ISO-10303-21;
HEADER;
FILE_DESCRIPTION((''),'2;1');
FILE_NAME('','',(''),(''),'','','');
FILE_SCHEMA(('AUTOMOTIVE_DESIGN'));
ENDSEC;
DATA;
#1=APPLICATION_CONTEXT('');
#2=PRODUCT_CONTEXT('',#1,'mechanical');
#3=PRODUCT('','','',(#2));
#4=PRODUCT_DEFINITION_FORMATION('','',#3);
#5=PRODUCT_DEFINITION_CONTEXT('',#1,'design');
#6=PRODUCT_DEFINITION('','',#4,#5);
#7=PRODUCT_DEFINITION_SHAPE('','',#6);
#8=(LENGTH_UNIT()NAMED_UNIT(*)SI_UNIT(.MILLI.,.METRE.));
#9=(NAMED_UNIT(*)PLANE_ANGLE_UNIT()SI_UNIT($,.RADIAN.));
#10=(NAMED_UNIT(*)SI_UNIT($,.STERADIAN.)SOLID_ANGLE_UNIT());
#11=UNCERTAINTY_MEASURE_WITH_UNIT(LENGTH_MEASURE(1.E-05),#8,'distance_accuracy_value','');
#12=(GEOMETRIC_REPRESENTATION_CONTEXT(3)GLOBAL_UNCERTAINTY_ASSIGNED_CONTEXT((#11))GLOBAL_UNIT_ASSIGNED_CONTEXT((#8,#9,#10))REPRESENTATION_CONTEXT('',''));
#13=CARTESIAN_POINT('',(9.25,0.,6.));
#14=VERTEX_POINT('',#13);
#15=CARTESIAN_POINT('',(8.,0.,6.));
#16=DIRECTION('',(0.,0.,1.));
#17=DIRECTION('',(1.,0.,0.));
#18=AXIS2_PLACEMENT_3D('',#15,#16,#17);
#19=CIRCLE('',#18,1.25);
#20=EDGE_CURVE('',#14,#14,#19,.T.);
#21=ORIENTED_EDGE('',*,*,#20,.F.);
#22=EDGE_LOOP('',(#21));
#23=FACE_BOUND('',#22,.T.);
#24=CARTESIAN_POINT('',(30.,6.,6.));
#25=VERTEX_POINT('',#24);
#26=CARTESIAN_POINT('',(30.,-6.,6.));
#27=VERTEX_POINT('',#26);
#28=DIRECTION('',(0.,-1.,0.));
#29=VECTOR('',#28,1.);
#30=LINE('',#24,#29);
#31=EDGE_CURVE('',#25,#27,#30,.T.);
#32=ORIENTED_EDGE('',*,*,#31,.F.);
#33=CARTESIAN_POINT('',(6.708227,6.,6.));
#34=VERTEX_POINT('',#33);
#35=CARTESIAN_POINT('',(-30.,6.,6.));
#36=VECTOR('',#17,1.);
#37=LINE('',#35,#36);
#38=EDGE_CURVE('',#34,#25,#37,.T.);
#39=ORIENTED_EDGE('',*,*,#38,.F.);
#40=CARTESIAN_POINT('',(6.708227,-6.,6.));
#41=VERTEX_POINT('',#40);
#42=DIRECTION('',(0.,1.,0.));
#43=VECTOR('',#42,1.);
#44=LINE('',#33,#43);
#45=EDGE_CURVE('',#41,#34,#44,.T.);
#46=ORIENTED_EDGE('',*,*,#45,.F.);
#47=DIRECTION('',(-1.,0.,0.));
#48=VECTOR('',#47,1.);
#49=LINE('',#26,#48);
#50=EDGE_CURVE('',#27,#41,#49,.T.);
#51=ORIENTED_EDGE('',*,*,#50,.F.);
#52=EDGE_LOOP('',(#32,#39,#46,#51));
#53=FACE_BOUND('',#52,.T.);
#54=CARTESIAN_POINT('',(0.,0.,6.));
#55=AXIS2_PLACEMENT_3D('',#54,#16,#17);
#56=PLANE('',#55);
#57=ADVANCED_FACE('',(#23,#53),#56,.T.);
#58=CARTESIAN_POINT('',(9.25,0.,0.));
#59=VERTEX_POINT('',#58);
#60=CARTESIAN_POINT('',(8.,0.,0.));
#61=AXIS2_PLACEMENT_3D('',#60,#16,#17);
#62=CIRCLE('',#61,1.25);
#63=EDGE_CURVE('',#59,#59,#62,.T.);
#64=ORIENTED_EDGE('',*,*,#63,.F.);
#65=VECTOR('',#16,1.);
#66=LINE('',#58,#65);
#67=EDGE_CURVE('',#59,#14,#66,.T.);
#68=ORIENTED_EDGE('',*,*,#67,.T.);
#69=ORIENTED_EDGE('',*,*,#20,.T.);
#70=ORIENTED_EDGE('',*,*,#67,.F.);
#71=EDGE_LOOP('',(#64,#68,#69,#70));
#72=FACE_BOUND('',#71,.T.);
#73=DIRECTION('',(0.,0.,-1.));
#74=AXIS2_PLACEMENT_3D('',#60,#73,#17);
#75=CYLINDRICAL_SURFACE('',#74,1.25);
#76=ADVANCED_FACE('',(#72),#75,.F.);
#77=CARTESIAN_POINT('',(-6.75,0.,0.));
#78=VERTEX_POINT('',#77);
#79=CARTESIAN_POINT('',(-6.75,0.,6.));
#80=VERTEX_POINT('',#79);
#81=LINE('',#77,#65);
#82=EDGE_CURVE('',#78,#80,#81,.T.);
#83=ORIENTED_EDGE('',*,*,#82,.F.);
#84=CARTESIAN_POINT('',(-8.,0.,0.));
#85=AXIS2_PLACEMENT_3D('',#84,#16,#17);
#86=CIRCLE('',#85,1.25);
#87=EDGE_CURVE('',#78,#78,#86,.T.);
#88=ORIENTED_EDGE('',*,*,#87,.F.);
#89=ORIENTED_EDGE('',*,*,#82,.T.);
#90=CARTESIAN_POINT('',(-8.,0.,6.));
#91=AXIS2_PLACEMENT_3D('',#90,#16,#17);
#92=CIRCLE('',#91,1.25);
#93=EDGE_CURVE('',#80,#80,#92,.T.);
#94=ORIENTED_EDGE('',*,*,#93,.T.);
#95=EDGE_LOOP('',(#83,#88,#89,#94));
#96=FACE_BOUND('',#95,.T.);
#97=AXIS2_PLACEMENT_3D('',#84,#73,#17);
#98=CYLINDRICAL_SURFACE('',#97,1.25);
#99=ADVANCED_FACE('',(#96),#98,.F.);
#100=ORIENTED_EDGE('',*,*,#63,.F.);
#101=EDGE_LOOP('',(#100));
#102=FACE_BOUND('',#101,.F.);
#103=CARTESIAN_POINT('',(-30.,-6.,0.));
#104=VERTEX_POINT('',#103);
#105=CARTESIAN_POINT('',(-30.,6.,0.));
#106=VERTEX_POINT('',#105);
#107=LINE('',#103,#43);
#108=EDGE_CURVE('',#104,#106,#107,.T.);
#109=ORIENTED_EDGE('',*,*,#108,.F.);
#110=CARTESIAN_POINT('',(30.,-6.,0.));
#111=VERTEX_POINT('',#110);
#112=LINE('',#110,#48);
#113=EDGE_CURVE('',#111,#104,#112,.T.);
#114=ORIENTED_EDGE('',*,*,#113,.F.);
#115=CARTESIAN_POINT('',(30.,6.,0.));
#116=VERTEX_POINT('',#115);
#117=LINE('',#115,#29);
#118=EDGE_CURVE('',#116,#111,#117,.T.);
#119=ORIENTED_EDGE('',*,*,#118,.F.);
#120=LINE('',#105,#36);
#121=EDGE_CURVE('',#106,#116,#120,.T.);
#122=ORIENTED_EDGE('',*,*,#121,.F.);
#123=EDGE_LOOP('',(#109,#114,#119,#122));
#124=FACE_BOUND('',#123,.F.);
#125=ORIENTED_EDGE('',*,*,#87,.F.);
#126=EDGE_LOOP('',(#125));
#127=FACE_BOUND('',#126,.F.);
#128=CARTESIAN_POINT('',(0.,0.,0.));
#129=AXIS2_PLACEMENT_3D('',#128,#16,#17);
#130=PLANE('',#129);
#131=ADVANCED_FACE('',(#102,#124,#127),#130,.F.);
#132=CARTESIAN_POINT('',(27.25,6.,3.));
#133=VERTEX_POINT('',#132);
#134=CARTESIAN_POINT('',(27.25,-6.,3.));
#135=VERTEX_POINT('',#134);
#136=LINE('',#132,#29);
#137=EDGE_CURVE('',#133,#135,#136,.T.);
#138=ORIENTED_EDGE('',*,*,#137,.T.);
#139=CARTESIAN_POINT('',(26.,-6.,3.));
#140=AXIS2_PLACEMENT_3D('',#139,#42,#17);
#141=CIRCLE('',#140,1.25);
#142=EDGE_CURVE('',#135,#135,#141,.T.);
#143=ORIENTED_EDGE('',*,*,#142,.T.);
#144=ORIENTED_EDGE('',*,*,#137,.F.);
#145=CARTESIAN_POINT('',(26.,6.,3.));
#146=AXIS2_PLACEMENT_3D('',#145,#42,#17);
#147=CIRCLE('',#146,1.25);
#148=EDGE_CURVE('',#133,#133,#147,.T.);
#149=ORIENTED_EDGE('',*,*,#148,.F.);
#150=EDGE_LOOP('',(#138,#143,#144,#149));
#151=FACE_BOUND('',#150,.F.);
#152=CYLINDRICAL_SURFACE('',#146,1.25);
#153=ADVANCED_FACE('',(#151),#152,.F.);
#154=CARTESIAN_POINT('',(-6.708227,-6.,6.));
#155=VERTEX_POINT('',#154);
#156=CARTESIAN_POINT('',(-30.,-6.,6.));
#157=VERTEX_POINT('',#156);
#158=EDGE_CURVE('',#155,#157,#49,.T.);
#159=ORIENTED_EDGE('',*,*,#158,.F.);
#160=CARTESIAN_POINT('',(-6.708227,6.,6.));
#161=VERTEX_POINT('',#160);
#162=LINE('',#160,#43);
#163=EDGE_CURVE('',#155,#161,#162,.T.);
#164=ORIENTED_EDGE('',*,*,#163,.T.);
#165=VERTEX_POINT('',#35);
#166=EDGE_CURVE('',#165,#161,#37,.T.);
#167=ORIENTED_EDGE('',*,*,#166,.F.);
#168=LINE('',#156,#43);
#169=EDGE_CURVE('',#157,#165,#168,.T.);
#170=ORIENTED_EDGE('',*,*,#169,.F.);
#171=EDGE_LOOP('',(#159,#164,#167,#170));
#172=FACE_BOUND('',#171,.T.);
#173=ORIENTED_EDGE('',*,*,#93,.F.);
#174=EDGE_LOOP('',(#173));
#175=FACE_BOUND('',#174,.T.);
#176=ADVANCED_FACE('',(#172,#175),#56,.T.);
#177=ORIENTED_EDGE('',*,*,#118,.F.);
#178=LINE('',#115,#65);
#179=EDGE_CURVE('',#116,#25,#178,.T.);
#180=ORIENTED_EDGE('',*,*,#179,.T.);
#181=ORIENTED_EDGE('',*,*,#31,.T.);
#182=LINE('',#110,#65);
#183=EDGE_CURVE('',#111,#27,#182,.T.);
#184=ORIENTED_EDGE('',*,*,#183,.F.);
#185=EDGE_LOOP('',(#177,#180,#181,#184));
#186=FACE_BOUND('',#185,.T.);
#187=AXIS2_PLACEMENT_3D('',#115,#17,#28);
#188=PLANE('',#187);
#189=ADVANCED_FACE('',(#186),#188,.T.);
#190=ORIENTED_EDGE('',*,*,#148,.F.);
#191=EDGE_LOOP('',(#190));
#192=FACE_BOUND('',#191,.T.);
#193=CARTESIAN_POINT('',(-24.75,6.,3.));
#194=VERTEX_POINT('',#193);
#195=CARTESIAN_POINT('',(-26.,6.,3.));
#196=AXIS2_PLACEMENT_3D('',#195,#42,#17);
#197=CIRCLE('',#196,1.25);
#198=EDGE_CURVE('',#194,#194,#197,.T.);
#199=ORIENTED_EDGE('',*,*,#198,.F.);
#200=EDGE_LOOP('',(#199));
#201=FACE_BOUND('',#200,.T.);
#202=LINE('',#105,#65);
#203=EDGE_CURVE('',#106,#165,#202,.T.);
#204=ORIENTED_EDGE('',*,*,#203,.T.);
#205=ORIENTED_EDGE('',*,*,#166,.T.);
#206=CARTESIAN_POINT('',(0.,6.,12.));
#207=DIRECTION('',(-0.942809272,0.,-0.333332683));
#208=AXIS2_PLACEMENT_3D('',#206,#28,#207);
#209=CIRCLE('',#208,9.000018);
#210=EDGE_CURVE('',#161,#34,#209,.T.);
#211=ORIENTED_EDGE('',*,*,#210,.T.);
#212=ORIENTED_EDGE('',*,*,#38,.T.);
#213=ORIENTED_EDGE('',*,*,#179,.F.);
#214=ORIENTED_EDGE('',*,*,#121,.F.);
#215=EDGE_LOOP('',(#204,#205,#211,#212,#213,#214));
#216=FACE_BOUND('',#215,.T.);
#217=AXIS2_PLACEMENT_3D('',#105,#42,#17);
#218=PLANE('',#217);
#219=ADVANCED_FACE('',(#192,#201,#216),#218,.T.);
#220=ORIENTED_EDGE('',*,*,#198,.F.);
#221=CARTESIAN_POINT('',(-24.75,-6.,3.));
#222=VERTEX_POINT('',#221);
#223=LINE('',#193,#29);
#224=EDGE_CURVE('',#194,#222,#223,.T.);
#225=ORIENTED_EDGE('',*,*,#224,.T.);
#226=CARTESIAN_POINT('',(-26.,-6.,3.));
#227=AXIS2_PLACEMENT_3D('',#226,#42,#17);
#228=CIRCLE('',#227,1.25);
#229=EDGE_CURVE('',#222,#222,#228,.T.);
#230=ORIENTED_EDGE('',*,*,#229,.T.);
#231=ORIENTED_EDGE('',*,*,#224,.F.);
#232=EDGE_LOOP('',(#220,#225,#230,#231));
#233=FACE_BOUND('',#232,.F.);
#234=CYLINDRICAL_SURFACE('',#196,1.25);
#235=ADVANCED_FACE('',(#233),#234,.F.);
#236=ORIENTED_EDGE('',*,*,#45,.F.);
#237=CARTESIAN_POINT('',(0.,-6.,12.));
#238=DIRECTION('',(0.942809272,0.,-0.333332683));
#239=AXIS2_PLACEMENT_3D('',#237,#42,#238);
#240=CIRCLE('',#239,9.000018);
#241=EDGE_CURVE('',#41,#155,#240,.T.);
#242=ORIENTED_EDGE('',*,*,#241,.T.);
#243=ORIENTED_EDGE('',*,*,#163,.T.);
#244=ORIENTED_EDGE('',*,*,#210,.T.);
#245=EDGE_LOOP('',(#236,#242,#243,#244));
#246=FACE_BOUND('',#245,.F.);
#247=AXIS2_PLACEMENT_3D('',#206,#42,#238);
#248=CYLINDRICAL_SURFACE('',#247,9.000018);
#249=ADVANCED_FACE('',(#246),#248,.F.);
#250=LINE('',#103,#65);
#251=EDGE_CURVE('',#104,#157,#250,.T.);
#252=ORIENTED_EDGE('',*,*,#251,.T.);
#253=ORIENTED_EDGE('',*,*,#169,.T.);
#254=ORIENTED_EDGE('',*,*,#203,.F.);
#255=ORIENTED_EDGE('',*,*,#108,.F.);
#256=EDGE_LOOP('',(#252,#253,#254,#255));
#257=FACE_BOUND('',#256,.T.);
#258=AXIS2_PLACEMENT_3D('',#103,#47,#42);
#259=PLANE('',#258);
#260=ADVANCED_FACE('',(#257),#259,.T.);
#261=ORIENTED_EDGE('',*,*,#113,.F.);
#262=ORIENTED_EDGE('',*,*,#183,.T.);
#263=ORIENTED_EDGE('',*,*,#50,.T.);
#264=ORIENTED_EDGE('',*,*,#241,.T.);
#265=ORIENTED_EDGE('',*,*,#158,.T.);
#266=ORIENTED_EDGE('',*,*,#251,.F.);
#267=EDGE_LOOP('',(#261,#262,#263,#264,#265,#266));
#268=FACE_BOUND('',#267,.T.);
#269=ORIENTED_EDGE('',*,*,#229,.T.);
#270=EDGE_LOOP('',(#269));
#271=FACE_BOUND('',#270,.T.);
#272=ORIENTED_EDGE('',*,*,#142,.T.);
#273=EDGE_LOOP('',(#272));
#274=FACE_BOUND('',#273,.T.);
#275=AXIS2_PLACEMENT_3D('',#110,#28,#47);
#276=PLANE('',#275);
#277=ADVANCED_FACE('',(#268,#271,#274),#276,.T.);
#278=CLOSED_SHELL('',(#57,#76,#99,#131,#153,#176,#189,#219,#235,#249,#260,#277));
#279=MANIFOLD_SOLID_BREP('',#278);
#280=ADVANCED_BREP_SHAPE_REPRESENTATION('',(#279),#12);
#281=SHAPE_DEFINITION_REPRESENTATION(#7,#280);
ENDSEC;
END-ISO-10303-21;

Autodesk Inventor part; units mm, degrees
ref_plane "YZ Plane" through (0, 0, 0) normal (1, 0, 0) x (0, 1, 0)
ref_plane "XZ Plane" through (0, 0, 0) normal (0, 1, 0) x (-1, 0, 0)
ref_plane "XY Plane" through (0, 0, 0) normal (0, 0, 1) x (1, 0, 0)
sketch "Sketch1" plane through (0, 0, 0) normal (0, 0, 1) x (1, 0, 0)
  line L0 (-30, 6) -> (30, 6)
  line L1 (30, 6) -> (30, -6)
  line L2 (30, -6) -> (-30, -6)
  line L3 (-30, -6) -> (-30, 6)
  line L4 (0, 0) -> (0, 6) construction
  line L5 (0, 0) -> (30, 0) construction
  circle A0 centre (-8, 0) radius 1.25
  circle A1 centre (8, 0) radius 1.25
  dimension "d0" = 12
  dimension "d1" = 60
  dimension "d2" = 16
  dimension "d3" = 2.5
extrude "Extrusion1" add sketch "Sketch1" along normal blind 6
sketch "Sketch2" plane through (-30, 6, 0) normal (0, 1, 0) x (1, 0, 0)
  circle A0 centre (4, -3) radius 1.25
  circle A1 centre (56, -3) radius 1.25
  arc A2 (38.4853, -9) -> (21.5147, -9) centre (30, -12) ccw
  line L0 (0, 0) -> (0, -6) projected
  line L1 (30, 0) -> (30, -6) construction
  line L2 (60, -6) -> (0, -6) projected
  line L3 (4, -3) -> (56, -3) construction
  line L4 (0, 0) -> (60, 0) construction
  line L5 (21.5147, -9) -> (38.4853, -9)
  dimension "d6" = 4
  dimension "d7" = 2.5
  dimension "d8" = 3
  dimension "d9" = 18
  dimension "d10" = 3
extrude "Extrusion2" cut sketch "Sketch2" against normal up to next
properties part number "side_humidity_support"
